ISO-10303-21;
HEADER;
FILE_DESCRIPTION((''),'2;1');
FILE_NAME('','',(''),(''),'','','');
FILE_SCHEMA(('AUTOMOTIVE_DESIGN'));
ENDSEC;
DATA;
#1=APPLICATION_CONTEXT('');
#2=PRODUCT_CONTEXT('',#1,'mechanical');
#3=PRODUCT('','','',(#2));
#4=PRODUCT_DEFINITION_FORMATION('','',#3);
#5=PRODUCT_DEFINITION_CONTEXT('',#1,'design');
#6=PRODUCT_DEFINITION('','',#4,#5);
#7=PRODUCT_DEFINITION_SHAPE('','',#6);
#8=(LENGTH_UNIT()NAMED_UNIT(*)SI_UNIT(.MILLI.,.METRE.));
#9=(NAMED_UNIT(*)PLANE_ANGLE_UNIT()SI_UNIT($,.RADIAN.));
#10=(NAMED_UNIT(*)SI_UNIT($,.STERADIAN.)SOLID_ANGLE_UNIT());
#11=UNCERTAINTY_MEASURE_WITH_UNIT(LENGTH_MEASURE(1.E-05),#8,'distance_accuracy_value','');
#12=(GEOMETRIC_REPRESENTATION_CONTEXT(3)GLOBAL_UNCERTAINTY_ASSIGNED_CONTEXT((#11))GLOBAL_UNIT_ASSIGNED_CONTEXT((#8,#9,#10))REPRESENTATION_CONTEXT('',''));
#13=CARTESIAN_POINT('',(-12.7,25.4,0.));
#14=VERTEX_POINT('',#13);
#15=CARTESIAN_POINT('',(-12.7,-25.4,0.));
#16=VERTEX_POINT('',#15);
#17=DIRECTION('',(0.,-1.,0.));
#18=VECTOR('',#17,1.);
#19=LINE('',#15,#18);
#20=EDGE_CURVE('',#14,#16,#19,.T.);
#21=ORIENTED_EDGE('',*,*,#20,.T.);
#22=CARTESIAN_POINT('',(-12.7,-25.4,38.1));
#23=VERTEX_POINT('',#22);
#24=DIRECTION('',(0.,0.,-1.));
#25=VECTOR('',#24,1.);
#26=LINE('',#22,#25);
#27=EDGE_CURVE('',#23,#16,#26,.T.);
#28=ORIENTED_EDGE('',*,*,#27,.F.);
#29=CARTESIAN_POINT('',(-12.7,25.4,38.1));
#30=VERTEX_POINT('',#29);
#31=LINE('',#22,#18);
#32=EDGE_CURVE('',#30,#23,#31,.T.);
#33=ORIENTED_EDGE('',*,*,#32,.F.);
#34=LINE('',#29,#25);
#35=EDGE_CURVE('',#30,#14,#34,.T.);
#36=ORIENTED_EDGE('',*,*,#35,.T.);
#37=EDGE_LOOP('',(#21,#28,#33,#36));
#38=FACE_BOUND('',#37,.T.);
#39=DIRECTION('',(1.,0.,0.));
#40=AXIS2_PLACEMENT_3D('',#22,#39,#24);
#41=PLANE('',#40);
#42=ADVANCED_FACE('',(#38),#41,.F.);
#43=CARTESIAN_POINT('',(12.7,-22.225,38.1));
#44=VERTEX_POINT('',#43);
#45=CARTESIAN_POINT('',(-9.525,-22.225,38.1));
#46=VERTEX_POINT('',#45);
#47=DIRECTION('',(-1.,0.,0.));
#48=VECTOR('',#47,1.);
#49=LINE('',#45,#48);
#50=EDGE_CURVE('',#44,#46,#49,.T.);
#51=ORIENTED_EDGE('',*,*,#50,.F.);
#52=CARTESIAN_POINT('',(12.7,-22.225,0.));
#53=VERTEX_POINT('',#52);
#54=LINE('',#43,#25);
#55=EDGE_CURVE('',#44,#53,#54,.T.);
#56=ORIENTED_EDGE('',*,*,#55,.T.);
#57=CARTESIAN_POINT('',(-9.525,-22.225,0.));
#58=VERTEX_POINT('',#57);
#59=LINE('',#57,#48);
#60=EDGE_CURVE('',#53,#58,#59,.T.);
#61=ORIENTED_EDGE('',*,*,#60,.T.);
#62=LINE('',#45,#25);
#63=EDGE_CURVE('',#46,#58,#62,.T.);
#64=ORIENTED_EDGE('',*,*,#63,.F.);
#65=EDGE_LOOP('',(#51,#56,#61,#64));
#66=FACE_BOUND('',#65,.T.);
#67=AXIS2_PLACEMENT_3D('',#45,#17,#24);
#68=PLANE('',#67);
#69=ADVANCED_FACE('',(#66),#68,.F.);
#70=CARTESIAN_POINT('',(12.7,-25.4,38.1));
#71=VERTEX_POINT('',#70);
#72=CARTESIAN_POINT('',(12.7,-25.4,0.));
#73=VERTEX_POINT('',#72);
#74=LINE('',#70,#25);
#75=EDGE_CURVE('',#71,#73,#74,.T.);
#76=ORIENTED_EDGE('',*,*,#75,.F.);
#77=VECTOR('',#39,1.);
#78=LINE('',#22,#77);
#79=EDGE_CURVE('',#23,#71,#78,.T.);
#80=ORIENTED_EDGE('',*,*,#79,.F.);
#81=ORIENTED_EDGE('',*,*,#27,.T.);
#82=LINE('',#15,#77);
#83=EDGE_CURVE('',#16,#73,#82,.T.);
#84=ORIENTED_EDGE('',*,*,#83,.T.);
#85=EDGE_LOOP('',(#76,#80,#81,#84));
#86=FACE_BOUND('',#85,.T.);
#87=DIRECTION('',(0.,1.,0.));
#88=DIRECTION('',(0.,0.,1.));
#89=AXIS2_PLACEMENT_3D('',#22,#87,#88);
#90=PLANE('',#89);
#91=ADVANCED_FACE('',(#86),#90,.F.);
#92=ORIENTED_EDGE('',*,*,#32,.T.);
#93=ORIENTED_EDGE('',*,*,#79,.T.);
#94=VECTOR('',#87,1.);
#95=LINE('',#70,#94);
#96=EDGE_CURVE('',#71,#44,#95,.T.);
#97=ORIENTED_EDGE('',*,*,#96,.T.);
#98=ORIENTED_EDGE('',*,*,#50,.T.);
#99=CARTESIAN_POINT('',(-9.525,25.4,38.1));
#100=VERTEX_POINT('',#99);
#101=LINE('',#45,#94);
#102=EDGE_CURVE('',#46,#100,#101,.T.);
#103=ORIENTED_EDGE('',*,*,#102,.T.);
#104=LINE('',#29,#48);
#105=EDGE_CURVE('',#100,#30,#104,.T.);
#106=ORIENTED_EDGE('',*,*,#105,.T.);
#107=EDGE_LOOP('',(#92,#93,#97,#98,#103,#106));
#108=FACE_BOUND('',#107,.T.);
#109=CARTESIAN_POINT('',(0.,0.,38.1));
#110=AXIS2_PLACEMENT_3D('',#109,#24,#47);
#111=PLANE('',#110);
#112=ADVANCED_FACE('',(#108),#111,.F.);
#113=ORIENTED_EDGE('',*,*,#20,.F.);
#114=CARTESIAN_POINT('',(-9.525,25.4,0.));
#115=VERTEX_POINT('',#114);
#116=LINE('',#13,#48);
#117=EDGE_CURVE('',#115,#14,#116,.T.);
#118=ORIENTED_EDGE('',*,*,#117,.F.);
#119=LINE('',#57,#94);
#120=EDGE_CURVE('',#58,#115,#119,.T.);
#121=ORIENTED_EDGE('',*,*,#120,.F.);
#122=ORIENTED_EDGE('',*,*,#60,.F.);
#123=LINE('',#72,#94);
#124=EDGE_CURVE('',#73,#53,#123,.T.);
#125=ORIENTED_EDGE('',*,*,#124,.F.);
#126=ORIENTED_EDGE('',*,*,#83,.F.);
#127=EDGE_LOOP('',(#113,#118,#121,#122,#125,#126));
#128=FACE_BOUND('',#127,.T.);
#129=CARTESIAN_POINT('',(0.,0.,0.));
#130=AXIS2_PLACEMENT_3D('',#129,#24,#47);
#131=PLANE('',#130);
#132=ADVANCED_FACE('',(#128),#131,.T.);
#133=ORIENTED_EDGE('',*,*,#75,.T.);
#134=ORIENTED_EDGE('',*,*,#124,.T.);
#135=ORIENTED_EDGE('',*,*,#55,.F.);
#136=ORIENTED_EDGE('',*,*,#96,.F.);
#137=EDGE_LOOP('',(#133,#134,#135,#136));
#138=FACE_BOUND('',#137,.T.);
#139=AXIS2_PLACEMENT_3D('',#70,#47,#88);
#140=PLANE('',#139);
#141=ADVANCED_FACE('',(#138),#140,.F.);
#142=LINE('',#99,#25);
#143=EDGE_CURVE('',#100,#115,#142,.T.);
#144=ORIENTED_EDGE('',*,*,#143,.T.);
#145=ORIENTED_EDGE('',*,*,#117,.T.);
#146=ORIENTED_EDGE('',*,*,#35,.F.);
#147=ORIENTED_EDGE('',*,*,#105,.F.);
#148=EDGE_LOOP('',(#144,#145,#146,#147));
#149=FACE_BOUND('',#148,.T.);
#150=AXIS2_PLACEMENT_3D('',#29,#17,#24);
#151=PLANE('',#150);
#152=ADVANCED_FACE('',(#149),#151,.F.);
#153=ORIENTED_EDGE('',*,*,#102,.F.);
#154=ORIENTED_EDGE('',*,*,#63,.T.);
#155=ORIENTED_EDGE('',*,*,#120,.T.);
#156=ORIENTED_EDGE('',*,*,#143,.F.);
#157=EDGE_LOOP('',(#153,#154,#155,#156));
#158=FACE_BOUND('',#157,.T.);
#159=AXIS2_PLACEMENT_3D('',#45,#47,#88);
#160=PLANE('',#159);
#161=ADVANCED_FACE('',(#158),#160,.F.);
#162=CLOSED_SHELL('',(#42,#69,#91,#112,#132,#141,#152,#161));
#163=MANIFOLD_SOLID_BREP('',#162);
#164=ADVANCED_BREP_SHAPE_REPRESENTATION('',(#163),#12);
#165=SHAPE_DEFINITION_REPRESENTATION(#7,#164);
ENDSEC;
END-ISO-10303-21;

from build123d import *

# Parameters (mm, degrees)
BOSS_EXTRUDE1_DEPTH = 38.1


with BuildPart() as part:
    # Sketch1 → Boss-Extrude1 (new body)
    with BuildSketch(Plane.XY):
        Polygon((-9.525, -22.225), (12.7, -22.225), (12.7, -25.4), (-12.7, -25.4), (-12.7, 25.4), (-9.525, 25.4), align=None)
    extrude(amount=BOSS_EXTRUDE1_DEPTH)


solid = part.part
